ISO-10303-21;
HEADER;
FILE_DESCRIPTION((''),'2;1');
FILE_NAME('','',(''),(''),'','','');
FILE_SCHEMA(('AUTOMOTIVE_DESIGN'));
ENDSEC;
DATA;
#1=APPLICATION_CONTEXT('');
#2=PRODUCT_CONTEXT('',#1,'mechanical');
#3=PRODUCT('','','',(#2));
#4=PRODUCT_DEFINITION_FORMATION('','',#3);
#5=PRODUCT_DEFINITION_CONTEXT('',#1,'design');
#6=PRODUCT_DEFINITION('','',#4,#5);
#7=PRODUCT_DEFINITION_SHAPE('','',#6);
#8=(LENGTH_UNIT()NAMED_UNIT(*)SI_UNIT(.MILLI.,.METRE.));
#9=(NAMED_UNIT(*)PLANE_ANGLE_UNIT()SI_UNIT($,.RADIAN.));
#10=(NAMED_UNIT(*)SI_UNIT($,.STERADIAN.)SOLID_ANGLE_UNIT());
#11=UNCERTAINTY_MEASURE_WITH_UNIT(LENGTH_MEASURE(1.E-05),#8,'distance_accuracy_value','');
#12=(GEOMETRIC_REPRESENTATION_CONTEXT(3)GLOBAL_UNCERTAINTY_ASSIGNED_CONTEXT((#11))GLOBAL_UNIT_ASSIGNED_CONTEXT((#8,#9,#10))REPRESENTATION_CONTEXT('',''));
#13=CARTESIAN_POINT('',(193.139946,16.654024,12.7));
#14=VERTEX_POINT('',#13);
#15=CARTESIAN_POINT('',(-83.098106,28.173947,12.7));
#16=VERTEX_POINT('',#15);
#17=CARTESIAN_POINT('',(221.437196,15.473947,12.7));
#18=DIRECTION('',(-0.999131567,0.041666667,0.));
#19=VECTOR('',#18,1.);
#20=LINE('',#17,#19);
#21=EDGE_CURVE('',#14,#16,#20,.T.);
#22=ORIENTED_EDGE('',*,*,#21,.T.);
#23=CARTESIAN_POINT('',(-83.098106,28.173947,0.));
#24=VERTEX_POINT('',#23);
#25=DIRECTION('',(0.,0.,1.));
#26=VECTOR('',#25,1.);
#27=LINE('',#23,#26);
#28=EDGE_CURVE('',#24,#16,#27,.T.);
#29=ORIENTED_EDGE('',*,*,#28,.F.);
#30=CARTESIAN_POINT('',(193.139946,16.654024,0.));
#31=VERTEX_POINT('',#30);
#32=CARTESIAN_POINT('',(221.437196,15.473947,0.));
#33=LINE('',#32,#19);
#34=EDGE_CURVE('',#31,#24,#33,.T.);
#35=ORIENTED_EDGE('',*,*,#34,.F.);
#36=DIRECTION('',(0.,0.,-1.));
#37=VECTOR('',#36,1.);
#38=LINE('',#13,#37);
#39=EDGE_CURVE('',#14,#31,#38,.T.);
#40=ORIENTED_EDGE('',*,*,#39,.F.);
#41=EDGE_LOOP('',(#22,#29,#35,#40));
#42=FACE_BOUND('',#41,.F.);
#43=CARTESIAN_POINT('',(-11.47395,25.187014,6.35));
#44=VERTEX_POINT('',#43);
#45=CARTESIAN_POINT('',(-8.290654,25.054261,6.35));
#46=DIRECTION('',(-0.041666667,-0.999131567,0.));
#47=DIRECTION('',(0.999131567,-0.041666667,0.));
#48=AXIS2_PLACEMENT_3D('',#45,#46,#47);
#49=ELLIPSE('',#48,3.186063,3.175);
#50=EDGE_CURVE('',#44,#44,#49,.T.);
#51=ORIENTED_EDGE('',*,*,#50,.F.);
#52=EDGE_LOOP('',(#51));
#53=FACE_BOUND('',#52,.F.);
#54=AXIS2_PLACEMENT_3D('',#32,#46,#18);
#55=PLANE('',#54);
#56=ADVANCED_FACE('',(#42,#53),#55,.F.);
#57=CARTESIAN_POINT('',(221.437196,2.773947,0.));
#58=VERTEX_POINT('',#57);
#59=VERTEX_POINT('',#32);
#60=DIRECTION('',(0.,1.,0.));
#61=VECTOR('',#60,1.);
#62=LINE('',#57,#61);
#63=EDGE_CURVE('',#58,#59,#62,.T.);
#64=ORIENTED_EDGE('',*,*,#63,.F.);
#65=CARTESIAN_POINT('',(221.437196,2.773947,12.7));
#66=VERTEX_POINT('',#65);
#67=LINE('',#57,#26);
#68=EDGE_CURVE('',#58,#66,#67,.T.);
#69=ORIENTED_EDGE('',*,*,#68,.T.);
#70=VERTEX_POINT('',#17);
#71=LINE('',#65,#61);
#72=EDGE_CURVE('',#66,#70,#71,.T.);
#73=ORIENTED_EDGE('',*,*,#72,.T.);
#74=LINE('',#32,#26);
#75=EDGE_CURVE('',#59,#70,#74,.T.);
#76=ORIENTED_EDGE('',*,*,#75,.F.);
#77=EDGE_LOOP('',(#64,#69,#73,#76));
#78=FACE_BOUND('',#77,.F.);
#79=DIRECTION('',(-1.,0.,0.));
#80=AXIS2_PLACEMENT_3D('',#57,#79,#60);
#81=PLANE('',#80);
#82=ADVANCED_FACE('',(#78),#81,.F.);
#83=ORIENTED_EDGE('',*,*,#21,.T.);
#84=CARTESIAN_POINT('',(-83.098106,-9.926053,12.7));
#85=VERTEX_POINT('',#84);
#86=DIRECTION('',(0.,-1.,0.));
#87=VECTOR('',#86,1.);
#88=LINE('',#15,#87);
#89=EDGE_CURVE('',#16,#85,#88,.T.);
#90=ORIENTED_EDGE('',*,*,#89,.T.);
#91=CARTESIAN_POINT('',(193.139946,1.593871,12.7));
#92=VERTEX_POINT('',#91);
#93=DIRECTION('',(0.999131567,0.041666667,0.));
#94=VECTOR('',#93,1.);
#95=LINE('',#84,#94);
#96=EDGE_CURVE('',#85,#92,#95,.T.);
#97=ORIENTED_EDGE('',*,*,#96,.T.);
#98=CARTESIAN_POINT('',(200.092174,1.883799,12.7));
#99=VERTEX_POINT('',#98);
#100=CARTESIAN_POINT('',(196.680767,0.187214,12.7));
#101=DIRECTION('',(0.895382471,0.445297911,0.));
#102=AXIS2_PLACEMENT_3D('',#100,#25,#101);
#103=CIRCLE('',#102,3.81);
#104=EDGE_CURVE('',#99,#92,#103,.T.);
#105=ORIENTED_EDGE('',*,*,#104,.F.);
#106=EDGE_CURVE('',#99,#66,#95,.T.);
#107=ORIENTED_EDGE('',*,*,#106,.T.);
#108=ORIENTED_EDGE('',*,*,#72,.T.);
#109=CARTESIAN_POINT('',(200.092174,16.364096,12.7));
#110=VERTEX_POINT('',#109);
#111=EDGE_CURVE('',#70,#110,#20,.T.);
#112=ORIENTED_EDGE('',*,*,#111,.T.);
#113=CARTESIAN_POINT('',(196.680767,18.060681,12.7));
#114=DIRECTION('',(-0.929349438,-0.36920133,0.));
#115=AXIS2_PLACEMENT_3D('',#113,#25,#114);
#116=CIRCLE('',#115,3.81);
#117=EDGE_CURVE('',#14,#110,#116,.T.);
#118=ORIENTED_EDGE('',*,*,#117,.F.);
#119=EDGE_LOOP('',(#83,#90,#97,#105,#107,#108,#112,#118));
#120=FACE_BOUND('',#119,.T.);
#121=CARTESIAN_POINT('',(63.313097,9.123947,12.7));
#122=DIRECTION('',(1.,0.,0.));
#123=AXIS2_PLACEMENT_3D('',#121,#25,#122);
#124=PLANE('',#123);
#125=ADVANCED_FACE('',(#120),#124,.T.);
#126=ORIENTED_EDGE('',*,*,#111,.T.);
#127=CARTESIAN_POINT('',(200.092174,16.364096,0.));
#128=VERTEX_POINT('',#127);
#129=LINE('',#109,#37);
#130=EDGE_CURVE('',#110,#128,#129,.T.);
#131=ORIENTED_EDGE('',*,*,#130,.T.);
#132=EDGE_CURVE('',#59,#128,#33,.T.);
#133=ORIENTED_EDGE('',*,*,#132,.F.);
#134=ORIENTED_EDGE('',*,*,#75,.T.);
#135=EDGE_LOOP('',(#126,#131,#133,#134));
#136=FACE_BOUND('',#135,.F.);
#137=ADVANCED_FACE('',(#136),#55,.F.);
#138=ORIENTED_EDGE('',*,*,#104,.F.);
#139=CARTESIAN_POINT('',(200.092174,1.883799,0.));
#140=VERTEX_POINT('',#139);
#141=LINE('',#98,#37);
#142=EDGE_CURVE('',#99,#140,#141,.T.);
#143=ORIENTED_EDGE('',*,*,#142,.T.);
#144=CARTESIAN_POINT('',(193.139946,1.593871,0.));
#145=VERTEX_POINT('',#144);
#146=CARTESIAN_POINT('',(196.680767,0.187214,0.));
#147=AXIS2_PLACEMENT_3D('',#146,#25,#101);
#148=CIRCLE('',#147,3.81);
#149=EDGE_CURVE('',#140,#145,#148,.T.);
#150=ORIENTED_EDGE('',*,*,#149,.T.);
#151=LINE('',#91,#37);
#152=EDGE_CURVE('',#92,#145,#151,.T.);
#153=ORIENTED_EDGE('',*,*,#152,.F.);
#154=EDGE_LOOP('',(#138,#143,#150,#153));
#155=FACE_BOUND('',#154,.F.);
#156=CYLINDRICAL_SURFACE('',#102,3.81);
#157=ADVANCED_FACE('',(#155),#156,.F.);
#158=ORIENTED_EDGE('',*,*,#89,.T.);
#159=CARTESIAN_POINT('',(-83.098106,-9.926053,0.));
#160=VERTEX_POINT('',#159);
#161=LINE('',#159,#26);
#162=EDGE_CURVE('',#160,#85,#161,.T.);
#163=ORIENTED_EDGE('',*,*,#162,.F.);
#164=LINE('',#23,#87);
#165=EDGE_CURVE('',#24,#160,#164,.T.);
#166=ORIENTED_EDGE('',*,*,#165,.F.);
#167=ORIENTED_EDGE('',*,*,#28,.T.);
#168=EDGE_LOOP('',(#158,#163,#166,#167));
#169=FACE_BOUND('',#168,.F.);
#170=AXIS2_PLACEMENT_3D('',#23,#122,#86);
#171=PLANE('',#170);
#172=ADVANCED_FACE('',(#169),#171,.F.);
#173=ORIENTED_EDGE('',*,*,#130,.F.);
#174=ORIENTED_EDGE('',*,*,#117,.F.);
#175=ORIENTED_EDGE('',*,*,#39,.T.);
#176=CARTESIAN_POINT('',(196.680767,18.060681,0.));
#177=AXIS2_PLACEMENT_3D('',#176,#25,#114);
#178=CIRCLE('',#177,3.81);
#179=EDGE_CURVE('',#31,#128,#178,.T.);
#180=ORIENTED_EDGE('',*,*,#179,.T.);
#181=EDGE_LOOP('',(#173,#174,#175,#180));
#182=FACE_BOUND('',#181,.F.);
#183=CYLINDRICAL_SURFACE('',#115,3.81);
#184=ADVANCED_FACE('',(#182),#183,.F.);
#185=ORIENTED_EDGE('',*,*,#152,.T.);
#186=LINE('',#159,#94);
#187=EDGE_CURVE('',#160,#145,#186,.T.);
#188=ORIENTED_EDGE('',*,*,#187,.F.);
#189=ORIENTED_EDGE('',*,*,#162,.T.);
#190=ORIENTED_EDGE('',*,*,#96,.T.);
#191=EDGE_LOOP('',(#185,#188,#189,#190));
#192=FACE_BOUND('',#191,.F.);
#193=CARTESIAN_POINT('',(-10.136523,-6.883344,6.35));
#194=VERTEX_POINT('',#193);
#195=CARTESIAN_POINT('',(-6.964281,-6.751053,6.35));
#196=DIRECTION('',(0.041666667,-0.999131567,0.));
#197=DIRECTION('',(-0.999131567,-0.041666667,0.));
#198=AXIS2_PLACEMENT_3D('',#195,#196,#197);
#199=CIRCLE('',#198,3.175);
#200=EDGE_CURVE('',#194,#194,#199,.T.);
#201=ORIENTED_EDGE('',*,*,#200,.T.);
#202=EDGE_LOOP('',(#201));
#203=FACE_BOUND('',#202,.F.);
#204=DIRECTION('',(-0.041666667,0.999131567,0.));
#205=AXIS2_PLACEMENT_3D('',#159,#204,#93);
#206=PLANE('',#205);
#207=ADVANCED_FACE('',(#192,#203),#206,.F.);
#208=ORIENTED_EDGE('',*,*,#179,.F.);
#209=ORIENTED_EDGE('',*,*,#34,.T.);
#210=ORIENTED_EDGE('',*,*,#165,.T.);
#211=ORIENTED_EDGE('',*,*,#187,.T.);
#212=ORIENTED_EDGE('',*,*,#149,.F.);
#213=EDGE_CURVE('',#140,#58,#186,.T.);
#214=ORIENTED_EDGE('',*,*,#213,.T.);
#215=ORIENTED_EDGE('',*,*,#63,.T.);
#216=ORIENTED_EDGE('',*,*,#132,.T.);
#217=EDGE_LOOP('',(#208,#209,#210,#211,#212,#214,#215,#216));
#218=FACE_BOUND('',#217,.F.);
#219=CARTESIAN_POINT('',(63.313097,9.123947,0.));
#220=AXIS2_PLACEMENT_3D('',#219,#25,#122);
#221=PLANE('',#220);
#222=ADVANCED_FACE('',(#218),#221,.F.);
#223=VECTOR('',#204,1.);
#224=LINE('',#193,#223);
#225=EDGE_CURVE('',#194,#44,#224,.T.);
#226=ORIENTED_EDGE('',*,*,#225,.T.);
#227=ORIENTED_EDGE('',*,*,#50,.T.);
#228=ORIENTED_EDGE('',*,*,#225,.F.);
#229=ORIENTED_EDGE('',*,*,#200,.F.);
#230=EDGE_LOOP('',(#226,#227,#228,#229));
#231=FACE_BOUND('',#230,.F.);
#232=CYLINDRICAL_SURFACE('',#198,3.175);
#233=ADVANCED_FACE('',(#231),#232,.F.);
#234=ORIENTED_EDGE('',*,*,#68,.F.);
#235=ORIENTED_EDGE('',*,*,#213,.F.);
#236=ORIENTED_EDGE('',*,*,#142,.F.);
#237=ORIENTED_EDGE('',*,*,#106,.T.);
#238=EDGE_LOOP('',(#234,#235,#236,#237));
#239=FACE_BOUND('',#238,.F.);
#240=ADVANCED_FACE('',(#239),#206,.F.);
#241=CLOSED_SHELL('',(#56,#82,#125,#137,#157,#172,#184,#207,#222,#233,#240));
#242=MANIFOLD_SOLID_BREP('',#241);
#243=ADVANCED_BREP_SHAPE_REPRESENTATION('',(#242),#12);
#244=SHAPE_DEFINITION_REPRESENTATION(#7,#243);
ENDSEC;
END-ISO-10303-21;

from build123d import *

# Parameters (mm, degrees)
F1_DEPTH = 12.7
F3_DEPTH = 25.4
F5_DEPTH = 50.8


with BuildPart() as f1:
    # F0 (on Top) → F1 (new body)
    with BuildSketch(Plane.XY):
        Polygon((221.4371956441, 15.4739474714), (-83.0981060863, 28.1739474714), (-83.0981060863, -9.9260525286), (221.4371956441, 2.7739474714), align=None)
    extrude(amount=F1_DEPTH)

    # F2 (on face) → F3 (cut)
    with BuildSketch(Plane.XY.offset(12.7)):
        with BuildLine():
            Line((200.0921744873, 16.3640963873), (193.1399459127, 16.6540243608))
            ThreePointArc((193.1399459127, 16.6540243608), (196.5220172711, 14.2539901577), (200.0921744873, 16.3640963873))
        make_face()
        with BuildLine():
            ThreePointArc((200.0921744873, 1.8837985555), (196.5220172711, 3.9939047851), (193.1399459127, 1.5938705819))
            Line((193.1399459127, 1.5938705819), (200.0921744873, 1.8837985555))
        make_face()
    extrude(amount=-F3_DEPTH, mode=Mode.SUBTRACT)

    # F4 (on face) → F5 (cut)
    with BuildSketch(Plane(origin=(0.2689588056, -6.4494055911, 0), x_dir=(0.9991315674, 0.0416666667, 0), z_dir=(0.0416666667, -0.9991315674, 0))):
        with BuildLine():
            ThreePointArc((-4.0645265004, 6.35), (-7.2395265004, 9.525), (-10.4145265004, 6.35))
            ThreePointArc((-10.4145265004, 6.35), (-7.2395265004, 3.175), (-4.0645265004, 6.35))
        make_face()
    extrude(amount=-F5_DEPTH, mode=Mode.SUBTRACT)


solid = f1.part
